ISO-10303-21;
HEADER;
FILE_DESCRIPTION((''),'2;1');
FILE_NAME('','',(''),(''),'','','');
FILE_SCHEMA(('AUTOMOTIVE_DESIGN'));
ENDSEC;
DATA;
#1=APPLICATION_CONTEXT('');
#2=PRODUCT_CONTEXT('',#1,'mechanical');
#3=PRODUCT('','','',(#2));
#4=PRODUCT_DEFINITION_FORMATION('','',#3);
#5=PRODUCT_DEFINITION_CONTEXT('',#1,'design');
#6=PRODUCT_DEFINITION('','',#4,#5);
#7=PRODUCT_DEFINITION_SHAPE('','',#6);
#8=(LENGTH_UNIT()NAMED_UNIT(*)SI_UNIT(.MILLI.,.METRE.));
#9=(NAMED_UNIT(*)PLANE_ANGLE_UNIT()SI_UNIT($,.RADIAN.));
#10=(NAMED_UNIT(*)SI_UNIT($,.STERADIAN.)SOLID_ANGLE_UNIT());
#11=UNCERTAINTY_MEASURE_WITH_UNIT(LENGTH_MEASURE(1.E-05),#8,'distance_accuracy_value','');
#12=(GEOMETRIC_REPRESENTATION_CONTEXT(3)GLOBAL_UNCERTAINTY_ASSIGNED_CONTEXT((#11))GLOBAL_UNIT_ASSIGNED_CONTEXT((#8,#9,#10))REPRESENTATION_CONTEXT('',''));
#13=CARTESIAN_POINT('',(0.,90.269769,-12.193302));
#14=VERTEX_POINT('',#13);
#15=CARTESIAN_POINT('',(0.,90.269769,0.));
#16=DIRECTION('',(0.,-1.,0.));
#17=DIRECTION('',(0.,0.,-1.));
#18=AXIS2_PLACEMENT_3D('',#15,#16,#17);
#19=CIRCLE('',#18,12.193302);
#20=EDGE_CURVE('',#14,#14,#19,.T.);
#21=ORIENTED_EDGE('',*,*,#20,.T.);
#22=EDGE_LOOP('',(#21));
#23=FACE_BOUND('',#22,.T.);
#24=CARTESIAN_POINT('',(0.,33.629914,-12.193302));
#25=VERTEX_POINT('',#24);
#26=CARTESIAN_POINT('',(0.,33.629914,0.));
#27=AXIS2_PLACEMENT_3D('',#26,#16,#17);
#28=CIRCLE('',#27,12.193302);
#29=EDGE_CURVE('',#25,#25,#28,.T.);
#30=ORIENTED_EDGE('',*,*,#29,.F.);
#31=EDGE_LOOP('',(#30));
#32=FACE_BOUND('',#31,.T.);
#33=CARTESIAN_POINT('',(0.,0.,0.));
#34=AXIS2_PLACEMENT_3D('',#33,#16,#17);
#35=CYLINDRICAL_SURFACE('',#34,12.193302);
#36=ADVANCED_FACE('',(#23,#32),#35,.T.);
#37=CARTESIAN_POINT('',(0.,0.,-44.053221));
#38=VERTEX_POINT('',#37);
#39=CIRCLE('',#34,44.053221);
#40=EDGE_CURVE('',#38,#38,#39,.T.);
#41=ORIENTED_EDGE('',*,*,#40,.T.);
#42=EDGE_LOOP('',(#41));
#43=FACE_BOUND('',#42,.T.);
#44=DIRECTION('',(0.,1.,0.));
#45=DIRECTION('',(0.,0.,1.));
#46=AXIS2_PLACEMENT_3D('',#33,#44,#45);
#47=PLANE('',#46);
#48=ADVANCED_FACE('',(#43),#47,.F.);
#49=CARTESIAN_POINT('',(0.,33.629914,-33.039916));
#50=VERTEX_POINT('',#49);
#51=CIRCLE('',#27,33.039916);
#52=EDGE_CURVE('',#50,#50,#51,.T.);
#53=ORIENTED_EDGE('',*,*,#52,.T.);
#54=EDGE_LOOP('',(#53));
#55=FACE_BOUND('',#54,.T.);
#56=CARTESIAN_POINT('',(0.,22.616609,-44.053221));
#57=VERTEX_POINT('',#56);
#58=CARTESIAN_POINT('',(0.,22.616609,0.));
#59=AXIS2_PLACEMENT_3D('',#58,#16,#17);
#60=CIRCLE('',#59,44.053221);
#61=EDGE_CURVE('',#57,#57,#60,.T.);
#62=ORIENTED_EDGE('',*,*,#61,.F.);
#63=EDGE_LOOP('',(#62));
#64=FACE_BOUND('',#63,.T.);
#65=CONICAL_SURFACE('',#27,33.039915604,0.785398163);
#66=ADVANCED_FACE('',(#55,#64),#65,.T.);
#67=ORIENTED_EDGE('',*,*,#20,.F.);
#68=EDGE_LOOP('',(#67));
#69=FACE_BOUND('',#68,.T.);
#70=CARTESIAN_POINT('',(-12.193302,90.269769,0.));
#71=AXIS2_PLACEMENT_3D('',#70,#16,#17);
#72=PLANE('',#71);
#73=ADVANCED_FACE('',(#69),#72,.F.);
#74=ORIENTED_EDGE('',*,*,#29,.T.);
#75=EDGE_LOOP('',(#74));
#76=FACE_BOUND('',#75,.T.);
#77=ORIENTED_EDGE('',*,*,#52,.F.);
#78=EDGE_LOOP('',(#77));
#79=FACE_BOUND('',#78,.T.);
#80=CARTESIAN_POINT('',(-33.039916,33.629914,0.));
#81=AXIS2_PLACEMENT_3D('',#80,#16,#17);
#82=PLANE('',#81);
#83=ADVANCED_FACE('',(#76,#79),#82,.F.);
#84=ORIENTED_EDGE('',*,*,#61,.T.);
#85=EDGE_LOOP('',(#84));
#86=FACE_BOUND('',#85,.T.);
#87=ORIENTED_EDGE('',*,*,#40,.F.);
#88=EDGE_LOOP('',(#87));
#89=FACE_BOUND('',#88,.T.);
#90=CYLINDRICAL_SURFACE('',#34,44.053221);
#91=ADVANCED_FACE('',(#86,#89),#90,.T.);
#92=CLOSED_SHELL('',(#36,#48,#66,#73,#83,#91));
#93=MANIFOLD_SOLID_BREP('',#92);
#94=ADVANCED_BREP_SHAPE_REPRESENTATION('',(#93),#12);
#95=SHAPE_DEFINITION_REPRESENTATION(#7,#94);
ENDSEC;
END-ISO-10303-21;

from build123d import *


with BuildPart() as part:
    # Sketch6 → Revolve2 (revolve)
    with BuildSketch(Plane.XY, mode=Mode.PRIVATE) as revolve2_sk:
        Polygon((0, 90.269769418), (0, 0), (-44.053220805, 0), (-44.053220805, 22.616608895), (-33.039915604, 33.629914097), (-12.193302187, 33.629914097), (-12.193302187, 90.269769418), align=None)
    revolve(revolve2_sk.sketch.rotate(Axis((0, 0, 0), (0, 1, 0)), 270), axis=Axis((0, 0, 0), (0, 1, 0)))  # turned: the seam where the file's is


solid = part.part
